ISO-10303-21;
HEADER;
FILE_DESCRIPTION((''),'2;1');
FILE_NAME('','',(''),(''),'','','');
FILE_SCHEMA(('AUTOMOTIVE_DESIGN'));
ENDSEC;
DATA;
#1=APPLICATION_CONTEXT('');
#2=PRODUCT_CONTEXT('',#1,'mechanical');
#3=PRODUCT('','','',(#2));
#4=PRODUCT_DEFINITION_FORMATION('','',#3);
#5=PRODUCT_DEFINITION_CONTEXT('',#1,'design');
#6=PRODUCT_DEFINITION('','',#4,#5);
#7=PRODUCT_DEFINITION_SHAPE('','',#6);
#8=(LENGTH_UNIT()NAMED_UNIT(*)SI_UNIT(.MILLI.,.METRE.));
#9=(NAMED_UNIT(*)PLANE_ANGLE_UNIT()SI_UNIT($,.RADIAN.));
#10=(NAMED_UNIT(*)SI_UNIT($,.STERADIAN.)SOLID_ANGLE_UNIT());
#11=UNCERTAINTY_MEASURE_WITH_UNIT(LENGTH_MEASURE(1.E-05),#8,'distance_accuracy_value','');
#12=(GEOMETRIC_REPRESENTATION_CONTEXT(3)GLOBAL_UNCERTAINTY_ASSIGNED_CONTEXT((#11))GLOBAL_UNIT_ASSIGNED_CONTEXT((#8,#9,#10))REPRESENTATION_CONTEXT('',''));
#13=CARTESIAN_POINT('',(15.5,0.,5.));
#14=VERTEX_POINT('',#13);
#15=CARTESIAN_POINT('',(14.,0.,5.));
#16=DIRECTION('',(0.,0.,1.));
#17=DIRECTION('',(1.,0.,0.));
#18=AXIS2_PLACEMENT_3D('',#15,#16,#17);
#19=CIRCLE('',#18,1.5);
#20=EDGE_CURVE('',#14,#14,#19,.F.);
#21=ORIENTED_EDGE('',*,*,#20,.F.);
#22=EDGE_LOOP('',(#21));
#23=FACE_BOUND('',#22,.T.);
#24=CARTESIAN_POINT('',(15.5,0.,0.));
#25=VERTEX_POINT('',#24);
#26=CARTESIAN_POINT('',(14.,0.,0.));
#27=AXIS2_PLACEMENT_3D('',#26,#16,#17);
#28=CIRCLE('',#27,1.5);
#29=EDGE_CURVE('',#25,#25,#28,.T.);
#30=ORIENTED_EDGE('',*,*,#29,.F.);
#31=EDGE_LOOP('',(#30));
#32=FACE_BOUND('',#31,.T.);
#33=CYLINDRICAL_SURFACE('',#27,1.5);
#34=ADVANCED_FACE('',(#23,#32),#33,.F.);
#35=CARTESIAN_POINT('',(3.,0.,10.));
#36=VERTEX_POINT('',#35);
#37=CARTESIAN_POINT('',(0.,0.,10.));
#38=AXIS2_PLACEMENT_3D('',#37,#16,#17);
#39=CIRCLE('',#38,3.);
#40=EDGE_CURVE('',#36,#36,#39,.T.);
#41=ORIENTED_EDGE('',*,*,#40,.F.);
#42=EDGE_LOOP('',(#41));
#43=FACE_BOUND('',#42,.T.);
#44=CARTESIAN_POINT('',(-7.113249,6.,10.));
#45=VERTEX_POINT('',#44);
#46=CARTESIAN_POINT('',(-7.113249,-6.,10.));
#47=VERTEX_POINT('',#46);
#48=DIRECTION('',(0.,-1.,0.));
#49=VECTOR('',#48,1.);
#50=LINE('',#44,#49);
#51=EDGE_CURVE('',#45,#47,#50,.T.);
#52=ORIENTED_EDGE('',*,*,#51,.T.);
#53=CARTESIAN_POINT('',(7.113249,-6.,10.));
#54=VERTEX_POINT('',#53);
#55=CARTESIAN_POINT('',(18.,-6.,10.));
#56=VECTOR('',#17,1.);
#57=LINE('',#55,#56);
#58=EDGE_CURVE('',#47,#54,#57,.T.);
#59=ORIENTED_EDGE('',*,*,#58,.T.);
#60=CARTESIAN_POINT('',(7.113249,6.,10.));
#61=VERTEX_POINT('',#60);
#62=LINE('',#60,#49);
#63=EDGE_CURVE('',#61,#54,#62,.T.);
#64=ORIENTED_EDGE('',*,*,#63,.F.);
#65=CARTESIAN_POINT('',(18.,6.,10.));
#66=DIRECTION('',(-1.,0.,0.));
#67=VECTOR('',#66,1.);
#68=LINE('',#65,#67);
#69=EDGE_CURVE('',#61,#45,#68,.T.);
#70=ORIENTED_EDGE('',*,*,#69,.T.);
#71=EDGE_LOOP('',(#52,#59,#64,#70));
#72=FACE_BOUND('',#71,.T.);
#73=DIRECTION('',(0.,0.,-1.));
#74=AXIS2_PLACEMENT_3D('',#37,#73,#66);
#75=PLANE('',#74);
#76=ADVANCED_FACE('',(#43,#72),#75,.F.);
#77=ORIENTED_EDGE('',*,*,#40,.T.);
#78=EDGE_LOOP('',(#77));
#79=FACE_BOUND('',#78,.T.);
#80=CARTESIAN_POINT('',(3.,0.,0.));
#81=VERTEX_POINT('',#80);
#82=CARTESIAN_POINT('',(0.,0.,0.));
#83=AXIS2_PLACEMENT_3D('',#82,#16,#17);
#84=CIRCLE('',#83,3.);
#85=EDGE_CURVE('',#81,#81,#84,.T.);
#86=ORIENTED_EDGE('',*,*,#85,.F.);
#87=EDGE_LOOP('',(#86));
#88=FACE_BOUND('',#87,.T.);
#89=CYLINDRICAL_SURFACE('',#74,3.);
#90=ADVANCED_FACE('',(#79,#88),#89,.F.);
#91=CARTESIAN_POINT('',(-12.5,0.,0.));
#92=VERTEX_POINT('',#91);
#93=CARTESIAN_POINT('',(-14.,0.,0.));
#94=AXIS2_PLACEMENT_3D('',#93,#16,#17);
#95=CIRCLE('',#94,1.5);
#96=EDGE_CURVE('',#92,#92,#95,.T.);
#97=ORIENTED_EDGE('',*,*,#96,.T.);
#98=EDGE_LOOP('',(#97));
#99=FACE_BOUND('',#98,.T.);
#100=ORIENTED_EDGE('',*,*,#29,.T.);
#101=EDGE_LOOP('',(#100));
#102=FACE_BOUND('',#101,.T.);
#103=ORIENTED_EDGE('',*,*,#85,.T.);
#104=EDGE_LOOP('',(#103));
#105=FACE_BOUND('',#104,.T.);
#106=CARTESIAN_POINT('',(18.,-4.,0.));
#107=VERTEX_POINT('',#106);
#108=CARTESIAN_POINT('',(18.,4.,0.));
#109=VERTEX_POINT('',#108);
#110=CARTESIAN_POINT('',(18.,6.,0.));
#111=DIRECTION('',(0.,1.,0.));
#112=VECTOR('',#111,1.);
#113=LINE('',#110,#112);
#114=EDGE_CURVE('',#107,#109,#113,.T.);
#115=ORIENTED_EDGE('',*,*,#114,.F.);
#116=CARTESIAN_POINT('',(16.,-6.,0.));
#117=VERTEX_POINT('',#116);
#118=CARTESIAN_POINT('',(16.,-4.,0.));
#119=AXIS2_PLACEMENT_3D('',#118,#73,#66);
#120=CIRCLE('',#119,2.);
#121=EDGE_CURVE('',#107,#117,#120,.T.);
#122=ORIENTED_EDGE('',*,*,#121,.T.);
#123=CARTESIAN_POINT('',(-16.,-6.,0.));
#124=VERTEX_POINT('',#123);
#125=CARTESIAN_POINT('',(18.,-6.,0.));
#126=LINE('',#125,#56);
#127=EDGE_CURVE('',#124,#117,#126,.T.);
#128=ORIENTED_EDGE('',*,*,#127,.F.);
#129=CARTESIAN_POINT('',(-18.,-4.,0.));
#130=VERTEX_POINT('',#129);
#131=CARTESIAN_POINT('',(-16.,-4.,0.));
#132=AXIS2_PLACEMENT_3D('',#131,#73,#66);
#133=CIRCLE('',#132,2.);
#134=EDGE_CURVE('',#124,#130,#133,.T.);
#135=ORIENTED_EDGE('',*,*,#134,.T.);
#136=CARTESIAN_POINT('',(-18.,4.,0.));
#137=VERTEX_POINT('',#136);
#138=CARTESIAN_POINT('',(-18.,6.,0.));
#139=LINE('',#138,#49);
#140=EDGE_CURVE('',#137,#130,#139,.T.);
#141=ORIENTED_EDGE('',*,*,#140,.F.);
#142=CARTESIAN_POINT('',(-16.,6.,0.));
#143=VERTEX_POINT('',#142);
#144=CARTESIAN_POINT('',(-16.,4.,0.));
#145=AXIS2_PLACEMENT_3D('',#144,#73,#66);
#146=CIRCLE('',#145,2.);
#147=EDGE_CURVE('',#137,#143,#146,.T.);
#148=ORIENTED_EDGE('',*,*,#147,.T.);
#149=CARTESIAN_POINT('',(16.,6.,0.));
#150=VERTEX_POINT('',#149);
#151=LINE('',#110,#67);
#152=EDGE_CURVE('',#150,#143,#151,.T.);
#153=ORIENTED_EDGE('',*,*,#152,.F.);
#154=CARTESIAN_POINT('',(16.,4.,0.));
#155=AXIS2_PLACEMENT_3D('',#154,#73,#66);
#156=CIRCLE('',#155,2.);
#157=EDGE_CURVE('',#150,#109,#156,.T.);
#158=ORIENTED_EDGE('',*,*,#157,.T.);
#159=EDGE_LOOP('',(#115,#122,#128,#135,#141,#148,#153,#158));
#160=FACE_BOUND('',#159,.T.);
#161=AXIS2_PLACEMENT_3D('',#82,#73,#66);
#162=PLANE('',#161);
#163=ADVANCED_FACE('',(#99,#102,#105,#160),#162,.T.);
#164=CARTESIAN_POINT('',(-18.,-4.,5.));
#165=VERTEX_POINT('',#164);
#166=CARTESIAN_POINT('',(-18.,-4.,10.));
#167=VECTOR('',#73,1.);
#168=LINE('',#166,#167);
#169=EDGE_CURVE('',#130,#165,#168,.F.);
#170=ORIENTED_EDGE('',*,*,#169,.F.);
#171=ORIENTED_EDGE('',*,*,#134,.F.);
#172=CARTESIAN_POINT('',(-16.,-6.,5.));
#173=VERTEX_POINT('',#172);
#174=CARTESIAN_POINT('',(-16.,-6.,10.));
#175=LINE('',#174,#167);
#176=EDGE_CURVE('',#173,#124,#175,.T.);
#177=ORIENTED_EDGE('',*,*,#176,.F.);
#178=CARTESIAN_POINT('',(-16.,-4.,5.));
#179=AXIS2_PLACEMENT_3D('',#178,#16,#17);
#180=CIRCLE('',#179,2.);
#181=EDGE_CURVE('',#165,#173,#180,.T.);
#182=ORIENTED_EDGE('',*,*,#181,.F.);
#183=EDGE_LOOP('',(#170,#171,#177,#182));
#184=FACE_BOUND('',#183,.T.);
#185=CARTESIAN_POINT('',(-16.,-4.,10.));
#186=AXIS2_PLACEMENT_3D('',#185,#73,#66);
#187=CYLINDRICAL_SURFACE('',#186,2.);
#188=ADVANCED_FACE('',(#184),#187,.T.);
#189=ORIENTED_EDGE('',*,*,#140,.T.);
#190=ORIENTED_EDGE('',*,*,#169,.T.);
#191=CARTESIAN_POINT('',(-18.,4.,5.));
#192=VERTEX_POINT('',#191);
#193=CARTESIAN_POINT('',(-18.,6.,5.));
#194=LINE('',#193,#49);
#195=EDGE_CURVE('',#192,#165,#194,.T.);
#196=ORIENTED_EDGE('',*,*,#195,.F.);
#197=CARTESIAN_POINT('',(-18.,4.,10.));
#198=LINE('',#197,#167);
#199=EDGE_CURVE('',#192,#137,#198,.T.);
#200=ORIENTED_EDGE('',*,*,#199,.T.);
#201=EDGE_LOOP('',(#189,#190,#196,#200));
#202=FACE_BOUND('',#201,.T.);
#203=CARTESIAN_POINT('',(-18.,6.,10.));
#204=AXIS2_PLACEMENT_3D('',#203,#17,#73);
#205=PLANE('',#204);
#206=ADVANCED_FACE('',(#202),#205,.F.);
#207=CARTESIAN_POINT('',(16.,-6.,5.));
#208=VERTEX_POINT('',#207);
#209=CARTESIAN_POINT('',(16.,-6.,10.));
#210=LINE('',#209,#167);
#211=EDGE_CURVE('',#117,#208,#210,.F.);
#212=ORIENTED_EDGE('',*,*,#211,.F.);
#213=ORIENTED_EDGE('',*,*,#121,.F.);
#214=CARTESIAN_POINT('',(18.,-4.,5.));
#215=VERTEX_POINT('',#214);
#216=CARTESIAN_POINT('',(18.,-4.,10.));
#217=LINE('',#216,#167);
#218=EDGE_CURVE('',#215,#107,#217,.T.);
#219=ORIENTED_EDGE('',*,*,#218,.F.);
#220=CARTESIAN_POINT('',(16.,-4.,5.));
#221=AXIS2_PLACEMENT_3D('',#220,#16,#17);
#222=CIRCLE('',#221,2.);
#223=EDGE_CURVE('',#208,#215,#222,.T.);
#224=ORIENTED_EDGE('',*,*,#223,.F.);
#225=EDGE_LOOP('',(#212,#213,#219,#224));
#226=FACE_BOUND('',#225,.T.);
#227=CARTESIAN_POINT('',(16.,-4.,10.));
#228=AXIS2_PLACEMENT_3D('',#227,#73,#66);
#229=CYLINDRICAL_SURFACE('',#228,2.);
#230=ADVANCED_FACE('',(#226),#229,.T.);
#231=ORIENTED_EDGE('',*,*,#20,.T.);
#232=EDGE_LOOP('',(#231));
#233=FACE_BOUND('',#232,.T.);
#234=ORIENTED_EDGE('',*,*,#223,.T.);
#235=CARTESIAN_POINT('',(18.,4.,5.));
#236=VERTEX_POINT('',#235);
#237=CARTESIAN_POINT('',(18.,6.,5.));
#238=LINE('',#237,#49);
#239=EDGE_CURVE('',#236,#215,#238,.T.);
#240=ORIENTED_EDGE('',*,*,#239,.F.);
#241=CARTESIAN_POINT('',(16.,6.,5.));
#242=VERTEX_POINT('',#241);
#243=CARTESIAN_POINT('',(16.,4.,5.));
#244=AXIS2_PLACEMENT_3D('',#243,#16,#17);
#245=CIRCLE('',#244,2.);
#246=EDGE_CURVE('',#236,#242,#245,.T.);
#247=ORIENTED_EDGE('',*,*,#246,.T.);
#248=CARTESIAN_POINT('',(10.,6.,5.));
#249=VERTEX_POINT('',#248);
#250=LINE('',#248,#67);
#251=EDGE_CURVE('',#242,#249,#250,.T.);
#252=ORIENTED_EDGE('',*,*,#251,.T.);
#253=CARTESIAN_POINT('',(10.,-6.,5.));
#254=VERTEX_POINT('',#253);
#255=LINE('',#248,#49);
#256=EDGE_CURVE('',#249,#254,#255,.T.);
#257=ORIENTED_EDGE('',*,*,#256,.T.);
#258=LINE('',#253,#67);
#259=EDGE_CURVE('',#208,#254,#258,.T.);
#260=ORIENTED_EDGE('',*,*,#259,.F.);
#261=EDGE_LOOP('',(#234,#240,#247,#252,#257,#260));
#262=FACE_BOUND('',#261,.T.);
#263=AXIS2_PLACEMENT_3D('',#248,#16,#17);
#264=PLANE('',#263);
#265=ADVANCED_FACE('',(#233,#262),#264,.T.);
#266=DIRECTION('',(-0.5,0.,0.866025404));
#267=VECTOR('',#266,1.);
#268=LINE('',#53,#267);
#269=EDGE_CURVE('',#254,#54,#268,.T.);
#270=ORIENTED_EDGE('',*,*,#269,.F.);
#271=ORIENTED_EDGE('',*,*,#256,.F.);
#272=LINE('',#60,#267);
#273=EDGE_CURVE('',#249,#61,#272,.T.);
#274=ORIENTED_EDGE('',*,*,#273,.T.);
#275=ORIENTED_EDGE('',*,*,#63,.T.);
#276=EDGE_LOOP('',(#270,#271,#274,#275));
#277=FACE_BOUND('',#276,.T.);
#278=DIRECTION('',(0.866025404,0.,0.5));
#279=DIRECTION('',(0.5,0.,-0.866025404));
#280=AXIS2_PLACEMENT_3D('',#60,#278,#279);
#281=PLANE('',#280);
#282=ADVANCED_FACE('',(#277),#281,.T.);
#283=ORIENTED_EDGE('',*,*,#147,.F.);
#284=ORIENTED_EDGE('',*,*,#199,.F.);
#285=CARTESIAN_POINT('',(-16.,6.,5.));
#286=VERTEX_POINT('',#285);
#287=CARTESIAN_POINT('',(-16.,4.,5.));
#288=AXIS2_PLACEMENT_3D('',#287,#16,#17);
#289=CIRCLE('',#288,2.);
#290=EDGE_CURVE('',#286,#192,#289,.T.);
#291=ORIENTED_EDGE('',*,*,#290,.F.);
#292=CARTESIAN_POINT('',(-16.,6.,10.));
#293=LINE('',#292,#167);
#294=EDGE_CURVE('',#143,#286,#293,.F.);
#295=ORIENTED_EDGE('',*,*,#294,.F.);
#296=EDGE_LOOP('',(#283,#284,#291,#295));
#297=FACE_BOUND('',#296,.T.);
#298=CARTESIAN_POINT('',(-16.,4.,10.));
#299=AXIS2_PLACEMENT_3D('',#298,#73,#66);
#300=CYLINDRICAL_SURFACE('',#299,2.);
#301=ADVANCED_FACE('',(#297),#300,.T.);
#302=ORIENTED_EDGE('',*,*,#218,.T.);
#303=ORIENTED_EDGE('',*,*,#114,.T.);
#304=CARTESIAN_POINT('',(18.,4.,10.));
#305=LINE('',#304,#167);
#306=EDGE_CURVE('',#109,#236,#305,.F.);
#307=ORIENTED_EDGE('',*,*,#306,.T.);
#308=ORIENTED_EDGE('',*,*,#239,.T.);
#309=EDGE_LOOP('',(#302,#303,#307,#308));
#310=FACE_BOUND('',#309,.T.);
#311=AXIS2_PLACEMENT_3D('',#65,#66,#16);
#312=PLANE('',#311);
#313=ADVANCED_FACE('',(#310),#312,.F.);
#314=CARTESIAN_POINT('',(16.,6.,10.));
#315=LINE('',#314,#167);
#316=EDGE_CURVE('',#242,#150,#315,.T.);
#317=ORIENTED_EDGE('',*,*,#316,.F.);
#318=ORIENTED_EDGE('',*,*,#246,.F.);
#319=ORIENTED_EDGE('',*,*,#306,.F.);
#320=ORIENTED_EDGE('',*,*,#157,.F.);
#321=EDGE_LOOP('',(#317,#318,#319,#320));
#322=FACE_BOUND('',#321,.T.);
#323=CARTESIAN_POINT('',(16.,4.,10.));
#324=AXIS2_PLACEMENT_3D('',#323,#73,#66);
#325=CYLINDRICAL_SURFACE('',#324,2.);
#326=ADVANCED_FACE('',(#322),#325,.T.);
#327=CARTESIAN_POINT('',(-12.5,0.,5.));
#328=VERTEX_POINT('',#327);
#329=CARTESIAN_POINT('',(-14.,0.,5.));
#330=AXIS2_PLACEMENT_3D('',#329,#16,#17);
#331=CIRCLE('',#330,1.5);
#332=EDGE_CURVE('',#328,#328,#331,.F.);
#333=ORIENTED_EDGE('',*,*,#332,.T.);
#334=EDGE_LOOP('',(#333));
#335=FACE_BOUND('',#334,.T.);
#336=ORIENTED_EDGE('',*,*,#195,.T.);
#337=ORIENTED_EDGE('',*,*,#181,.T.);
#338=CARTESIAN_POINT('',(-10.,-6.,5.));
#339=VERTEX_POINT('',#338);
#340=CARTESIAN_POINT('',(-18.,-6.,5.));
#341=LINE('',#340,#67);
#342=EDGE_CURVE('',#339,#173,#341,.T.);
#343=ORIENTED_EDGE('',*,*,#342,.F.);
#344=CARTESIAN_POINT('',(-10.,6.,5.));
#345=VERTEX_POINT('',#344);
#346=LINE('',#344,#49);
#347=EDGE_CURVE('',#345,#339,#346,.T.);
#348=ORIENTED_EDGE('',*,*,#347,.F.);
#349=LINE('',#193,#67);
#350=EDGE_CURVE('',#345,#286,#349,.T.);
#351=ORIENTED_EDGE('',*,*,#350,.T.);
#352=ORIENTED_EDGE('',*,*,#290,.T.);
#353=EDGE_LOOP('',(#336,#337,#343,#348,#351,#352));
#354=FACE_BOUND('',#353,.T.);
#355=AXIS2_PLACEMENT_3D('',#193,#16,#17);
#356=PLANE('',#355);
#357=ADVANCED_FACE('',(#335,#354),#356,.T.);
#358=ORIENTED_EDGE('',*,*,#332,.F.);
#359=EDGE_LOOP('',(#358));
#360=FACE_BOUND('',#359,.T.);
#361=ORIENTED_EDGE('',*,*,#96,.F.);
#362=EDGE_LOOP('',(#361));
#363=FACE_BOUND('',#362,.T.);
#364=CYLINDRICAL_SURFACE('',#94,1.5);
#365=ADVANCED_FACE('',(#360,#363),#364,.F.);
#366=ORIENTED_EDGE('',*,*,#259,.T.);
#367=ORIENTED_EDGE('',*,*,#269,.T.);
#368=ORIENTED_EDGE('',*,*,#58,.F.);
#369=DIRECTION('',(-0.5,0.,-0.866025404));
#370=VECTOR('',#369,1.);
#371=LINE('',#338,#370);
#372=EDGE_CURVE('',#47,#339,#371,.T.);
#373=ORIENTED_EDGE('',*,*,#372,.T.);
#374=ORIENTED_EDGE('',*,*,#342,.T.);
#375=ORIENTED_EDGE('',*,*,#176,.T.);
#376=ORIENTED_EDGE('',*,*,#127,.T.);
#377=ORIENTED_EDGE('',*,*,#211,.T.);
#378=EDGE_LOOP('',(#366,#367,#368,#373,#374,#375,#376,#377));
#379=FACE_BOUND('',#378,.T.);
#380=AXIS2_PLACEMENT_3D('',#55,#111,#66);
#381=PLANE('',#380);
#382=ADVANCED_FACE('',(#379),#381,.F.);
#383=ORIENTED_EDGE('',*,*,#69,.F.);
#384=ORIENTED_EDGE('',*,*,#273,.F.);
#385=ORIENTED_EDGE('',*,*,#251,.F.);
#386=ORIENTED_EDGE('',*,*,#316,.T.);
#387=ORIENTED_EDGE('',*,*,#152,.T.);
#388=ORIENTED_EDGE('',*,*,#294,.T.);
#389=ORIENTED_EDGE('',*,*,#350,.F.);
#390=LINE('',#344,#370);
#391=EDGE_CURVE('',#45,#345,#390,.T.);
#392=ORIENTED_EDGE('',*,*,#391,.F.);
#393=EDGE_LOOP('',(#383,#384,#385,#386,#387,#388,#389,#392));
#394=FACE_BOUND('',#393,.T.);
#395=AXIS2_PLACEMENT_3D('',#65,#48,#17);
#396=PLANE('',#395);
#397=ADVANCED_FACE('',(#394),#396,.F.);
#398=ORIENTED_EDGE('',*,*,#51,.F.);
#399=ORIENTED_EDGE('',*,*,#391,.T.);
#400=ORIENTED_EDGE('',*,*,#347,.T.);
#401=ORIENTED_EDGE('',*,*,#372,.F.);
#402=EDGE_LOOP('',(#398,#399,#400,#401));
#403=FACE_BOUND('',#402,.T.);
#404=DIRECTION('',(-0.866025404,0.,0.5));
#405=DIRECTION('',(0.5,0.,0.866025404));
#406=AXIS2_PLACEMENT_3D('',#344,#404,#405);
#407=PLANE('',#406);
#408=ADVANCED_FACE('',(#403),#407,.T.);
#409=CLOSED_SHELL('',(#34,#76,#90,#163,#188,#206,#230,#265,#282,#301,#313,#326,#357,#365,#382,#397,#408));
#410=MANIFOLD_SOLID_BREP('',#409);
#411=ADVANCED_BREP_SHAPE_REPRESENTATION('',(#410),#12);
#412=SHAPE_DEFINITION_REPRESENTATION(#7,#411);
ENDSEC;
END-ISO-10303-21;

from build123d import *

# Parameters (mm, degrees)
ESQUISSE1_W             = 36
ESQUISSE1_H             = 12
ESQUISSE1_R             = 3
BOSS_EXTRU_1_DEPTH      = 10
ESQUISSE2_R             = 1.5
ENL_V_MAT_EXTRU_1_DEPTH = 22.44761059
ESQUISSE3_OUTSIDE_W     = 45.848
ESQUISSE3_OUTSIDE_H     = 19.848
ENL_V_MAT_EXTRU_2_DEPTH = 24.832750576
CONG_1_R                = 2


with BuildPart() as part:
    # Esquisse1 → Boss.-Extru.1 (new body)
    with BuildSketch(Plane.XY):
        Rectangle(ESQUISSE1_W, ESQUISSE1_H)
        Circle(ESQUISSE1_R, mode=Mode.SUBTRACT)
    extrude(amount=BOSS_EXTRU_1_DEPTH)

    # Esquisse2 → Enlèv. mat.-Extru.1 (cut, through all)
    with BuildSketch(Plane.XY.offset(10)):
        with Locations((-14, 0)):
            Circle(ESQUISSE2_R)
        with Locations((14, 0)):
            Circle(ESQUISSE2_R)
    extrude(amount=-ENL_V_MAT_EXTRU_1_DEPTH, mode=Mode.SUBTRACT)

    # Esquisse3 outside → Enlèv. mat.-Extru.2 (cut, through all)
    with BuildSketch(Plane.XZ.offset(6)):
        with Locations((0, 5)):
            Rectangle(ESQUISSE3_OUTSIDE_W, ESQUISSE3_OUTSIDE_H)
        Polygon((-18, 0), (-18, 5), (-10, 5), (-7.113248654, 10), (7.113248654, 10), (10, 5), (18, 5), (18, 0), align=None, mode=Mode.SUBTRACT)
    extrude(amount=-ENL_V_MAT_EXTRU_2_DEPTH, mode=Mode.SUBTRACT)

    # Congé1
    cong_1_edges = [part.edges().sort_by_distance(p)[0] for p in [
        (-18, 6, 2.5),
        (18, 6, 2.5),
        (18, -6, 2.5),
        (-18, -6, 2.5),
    ]]
    fillet(cong_1_edges, radius=CONG_1_R)


solid = part.part
